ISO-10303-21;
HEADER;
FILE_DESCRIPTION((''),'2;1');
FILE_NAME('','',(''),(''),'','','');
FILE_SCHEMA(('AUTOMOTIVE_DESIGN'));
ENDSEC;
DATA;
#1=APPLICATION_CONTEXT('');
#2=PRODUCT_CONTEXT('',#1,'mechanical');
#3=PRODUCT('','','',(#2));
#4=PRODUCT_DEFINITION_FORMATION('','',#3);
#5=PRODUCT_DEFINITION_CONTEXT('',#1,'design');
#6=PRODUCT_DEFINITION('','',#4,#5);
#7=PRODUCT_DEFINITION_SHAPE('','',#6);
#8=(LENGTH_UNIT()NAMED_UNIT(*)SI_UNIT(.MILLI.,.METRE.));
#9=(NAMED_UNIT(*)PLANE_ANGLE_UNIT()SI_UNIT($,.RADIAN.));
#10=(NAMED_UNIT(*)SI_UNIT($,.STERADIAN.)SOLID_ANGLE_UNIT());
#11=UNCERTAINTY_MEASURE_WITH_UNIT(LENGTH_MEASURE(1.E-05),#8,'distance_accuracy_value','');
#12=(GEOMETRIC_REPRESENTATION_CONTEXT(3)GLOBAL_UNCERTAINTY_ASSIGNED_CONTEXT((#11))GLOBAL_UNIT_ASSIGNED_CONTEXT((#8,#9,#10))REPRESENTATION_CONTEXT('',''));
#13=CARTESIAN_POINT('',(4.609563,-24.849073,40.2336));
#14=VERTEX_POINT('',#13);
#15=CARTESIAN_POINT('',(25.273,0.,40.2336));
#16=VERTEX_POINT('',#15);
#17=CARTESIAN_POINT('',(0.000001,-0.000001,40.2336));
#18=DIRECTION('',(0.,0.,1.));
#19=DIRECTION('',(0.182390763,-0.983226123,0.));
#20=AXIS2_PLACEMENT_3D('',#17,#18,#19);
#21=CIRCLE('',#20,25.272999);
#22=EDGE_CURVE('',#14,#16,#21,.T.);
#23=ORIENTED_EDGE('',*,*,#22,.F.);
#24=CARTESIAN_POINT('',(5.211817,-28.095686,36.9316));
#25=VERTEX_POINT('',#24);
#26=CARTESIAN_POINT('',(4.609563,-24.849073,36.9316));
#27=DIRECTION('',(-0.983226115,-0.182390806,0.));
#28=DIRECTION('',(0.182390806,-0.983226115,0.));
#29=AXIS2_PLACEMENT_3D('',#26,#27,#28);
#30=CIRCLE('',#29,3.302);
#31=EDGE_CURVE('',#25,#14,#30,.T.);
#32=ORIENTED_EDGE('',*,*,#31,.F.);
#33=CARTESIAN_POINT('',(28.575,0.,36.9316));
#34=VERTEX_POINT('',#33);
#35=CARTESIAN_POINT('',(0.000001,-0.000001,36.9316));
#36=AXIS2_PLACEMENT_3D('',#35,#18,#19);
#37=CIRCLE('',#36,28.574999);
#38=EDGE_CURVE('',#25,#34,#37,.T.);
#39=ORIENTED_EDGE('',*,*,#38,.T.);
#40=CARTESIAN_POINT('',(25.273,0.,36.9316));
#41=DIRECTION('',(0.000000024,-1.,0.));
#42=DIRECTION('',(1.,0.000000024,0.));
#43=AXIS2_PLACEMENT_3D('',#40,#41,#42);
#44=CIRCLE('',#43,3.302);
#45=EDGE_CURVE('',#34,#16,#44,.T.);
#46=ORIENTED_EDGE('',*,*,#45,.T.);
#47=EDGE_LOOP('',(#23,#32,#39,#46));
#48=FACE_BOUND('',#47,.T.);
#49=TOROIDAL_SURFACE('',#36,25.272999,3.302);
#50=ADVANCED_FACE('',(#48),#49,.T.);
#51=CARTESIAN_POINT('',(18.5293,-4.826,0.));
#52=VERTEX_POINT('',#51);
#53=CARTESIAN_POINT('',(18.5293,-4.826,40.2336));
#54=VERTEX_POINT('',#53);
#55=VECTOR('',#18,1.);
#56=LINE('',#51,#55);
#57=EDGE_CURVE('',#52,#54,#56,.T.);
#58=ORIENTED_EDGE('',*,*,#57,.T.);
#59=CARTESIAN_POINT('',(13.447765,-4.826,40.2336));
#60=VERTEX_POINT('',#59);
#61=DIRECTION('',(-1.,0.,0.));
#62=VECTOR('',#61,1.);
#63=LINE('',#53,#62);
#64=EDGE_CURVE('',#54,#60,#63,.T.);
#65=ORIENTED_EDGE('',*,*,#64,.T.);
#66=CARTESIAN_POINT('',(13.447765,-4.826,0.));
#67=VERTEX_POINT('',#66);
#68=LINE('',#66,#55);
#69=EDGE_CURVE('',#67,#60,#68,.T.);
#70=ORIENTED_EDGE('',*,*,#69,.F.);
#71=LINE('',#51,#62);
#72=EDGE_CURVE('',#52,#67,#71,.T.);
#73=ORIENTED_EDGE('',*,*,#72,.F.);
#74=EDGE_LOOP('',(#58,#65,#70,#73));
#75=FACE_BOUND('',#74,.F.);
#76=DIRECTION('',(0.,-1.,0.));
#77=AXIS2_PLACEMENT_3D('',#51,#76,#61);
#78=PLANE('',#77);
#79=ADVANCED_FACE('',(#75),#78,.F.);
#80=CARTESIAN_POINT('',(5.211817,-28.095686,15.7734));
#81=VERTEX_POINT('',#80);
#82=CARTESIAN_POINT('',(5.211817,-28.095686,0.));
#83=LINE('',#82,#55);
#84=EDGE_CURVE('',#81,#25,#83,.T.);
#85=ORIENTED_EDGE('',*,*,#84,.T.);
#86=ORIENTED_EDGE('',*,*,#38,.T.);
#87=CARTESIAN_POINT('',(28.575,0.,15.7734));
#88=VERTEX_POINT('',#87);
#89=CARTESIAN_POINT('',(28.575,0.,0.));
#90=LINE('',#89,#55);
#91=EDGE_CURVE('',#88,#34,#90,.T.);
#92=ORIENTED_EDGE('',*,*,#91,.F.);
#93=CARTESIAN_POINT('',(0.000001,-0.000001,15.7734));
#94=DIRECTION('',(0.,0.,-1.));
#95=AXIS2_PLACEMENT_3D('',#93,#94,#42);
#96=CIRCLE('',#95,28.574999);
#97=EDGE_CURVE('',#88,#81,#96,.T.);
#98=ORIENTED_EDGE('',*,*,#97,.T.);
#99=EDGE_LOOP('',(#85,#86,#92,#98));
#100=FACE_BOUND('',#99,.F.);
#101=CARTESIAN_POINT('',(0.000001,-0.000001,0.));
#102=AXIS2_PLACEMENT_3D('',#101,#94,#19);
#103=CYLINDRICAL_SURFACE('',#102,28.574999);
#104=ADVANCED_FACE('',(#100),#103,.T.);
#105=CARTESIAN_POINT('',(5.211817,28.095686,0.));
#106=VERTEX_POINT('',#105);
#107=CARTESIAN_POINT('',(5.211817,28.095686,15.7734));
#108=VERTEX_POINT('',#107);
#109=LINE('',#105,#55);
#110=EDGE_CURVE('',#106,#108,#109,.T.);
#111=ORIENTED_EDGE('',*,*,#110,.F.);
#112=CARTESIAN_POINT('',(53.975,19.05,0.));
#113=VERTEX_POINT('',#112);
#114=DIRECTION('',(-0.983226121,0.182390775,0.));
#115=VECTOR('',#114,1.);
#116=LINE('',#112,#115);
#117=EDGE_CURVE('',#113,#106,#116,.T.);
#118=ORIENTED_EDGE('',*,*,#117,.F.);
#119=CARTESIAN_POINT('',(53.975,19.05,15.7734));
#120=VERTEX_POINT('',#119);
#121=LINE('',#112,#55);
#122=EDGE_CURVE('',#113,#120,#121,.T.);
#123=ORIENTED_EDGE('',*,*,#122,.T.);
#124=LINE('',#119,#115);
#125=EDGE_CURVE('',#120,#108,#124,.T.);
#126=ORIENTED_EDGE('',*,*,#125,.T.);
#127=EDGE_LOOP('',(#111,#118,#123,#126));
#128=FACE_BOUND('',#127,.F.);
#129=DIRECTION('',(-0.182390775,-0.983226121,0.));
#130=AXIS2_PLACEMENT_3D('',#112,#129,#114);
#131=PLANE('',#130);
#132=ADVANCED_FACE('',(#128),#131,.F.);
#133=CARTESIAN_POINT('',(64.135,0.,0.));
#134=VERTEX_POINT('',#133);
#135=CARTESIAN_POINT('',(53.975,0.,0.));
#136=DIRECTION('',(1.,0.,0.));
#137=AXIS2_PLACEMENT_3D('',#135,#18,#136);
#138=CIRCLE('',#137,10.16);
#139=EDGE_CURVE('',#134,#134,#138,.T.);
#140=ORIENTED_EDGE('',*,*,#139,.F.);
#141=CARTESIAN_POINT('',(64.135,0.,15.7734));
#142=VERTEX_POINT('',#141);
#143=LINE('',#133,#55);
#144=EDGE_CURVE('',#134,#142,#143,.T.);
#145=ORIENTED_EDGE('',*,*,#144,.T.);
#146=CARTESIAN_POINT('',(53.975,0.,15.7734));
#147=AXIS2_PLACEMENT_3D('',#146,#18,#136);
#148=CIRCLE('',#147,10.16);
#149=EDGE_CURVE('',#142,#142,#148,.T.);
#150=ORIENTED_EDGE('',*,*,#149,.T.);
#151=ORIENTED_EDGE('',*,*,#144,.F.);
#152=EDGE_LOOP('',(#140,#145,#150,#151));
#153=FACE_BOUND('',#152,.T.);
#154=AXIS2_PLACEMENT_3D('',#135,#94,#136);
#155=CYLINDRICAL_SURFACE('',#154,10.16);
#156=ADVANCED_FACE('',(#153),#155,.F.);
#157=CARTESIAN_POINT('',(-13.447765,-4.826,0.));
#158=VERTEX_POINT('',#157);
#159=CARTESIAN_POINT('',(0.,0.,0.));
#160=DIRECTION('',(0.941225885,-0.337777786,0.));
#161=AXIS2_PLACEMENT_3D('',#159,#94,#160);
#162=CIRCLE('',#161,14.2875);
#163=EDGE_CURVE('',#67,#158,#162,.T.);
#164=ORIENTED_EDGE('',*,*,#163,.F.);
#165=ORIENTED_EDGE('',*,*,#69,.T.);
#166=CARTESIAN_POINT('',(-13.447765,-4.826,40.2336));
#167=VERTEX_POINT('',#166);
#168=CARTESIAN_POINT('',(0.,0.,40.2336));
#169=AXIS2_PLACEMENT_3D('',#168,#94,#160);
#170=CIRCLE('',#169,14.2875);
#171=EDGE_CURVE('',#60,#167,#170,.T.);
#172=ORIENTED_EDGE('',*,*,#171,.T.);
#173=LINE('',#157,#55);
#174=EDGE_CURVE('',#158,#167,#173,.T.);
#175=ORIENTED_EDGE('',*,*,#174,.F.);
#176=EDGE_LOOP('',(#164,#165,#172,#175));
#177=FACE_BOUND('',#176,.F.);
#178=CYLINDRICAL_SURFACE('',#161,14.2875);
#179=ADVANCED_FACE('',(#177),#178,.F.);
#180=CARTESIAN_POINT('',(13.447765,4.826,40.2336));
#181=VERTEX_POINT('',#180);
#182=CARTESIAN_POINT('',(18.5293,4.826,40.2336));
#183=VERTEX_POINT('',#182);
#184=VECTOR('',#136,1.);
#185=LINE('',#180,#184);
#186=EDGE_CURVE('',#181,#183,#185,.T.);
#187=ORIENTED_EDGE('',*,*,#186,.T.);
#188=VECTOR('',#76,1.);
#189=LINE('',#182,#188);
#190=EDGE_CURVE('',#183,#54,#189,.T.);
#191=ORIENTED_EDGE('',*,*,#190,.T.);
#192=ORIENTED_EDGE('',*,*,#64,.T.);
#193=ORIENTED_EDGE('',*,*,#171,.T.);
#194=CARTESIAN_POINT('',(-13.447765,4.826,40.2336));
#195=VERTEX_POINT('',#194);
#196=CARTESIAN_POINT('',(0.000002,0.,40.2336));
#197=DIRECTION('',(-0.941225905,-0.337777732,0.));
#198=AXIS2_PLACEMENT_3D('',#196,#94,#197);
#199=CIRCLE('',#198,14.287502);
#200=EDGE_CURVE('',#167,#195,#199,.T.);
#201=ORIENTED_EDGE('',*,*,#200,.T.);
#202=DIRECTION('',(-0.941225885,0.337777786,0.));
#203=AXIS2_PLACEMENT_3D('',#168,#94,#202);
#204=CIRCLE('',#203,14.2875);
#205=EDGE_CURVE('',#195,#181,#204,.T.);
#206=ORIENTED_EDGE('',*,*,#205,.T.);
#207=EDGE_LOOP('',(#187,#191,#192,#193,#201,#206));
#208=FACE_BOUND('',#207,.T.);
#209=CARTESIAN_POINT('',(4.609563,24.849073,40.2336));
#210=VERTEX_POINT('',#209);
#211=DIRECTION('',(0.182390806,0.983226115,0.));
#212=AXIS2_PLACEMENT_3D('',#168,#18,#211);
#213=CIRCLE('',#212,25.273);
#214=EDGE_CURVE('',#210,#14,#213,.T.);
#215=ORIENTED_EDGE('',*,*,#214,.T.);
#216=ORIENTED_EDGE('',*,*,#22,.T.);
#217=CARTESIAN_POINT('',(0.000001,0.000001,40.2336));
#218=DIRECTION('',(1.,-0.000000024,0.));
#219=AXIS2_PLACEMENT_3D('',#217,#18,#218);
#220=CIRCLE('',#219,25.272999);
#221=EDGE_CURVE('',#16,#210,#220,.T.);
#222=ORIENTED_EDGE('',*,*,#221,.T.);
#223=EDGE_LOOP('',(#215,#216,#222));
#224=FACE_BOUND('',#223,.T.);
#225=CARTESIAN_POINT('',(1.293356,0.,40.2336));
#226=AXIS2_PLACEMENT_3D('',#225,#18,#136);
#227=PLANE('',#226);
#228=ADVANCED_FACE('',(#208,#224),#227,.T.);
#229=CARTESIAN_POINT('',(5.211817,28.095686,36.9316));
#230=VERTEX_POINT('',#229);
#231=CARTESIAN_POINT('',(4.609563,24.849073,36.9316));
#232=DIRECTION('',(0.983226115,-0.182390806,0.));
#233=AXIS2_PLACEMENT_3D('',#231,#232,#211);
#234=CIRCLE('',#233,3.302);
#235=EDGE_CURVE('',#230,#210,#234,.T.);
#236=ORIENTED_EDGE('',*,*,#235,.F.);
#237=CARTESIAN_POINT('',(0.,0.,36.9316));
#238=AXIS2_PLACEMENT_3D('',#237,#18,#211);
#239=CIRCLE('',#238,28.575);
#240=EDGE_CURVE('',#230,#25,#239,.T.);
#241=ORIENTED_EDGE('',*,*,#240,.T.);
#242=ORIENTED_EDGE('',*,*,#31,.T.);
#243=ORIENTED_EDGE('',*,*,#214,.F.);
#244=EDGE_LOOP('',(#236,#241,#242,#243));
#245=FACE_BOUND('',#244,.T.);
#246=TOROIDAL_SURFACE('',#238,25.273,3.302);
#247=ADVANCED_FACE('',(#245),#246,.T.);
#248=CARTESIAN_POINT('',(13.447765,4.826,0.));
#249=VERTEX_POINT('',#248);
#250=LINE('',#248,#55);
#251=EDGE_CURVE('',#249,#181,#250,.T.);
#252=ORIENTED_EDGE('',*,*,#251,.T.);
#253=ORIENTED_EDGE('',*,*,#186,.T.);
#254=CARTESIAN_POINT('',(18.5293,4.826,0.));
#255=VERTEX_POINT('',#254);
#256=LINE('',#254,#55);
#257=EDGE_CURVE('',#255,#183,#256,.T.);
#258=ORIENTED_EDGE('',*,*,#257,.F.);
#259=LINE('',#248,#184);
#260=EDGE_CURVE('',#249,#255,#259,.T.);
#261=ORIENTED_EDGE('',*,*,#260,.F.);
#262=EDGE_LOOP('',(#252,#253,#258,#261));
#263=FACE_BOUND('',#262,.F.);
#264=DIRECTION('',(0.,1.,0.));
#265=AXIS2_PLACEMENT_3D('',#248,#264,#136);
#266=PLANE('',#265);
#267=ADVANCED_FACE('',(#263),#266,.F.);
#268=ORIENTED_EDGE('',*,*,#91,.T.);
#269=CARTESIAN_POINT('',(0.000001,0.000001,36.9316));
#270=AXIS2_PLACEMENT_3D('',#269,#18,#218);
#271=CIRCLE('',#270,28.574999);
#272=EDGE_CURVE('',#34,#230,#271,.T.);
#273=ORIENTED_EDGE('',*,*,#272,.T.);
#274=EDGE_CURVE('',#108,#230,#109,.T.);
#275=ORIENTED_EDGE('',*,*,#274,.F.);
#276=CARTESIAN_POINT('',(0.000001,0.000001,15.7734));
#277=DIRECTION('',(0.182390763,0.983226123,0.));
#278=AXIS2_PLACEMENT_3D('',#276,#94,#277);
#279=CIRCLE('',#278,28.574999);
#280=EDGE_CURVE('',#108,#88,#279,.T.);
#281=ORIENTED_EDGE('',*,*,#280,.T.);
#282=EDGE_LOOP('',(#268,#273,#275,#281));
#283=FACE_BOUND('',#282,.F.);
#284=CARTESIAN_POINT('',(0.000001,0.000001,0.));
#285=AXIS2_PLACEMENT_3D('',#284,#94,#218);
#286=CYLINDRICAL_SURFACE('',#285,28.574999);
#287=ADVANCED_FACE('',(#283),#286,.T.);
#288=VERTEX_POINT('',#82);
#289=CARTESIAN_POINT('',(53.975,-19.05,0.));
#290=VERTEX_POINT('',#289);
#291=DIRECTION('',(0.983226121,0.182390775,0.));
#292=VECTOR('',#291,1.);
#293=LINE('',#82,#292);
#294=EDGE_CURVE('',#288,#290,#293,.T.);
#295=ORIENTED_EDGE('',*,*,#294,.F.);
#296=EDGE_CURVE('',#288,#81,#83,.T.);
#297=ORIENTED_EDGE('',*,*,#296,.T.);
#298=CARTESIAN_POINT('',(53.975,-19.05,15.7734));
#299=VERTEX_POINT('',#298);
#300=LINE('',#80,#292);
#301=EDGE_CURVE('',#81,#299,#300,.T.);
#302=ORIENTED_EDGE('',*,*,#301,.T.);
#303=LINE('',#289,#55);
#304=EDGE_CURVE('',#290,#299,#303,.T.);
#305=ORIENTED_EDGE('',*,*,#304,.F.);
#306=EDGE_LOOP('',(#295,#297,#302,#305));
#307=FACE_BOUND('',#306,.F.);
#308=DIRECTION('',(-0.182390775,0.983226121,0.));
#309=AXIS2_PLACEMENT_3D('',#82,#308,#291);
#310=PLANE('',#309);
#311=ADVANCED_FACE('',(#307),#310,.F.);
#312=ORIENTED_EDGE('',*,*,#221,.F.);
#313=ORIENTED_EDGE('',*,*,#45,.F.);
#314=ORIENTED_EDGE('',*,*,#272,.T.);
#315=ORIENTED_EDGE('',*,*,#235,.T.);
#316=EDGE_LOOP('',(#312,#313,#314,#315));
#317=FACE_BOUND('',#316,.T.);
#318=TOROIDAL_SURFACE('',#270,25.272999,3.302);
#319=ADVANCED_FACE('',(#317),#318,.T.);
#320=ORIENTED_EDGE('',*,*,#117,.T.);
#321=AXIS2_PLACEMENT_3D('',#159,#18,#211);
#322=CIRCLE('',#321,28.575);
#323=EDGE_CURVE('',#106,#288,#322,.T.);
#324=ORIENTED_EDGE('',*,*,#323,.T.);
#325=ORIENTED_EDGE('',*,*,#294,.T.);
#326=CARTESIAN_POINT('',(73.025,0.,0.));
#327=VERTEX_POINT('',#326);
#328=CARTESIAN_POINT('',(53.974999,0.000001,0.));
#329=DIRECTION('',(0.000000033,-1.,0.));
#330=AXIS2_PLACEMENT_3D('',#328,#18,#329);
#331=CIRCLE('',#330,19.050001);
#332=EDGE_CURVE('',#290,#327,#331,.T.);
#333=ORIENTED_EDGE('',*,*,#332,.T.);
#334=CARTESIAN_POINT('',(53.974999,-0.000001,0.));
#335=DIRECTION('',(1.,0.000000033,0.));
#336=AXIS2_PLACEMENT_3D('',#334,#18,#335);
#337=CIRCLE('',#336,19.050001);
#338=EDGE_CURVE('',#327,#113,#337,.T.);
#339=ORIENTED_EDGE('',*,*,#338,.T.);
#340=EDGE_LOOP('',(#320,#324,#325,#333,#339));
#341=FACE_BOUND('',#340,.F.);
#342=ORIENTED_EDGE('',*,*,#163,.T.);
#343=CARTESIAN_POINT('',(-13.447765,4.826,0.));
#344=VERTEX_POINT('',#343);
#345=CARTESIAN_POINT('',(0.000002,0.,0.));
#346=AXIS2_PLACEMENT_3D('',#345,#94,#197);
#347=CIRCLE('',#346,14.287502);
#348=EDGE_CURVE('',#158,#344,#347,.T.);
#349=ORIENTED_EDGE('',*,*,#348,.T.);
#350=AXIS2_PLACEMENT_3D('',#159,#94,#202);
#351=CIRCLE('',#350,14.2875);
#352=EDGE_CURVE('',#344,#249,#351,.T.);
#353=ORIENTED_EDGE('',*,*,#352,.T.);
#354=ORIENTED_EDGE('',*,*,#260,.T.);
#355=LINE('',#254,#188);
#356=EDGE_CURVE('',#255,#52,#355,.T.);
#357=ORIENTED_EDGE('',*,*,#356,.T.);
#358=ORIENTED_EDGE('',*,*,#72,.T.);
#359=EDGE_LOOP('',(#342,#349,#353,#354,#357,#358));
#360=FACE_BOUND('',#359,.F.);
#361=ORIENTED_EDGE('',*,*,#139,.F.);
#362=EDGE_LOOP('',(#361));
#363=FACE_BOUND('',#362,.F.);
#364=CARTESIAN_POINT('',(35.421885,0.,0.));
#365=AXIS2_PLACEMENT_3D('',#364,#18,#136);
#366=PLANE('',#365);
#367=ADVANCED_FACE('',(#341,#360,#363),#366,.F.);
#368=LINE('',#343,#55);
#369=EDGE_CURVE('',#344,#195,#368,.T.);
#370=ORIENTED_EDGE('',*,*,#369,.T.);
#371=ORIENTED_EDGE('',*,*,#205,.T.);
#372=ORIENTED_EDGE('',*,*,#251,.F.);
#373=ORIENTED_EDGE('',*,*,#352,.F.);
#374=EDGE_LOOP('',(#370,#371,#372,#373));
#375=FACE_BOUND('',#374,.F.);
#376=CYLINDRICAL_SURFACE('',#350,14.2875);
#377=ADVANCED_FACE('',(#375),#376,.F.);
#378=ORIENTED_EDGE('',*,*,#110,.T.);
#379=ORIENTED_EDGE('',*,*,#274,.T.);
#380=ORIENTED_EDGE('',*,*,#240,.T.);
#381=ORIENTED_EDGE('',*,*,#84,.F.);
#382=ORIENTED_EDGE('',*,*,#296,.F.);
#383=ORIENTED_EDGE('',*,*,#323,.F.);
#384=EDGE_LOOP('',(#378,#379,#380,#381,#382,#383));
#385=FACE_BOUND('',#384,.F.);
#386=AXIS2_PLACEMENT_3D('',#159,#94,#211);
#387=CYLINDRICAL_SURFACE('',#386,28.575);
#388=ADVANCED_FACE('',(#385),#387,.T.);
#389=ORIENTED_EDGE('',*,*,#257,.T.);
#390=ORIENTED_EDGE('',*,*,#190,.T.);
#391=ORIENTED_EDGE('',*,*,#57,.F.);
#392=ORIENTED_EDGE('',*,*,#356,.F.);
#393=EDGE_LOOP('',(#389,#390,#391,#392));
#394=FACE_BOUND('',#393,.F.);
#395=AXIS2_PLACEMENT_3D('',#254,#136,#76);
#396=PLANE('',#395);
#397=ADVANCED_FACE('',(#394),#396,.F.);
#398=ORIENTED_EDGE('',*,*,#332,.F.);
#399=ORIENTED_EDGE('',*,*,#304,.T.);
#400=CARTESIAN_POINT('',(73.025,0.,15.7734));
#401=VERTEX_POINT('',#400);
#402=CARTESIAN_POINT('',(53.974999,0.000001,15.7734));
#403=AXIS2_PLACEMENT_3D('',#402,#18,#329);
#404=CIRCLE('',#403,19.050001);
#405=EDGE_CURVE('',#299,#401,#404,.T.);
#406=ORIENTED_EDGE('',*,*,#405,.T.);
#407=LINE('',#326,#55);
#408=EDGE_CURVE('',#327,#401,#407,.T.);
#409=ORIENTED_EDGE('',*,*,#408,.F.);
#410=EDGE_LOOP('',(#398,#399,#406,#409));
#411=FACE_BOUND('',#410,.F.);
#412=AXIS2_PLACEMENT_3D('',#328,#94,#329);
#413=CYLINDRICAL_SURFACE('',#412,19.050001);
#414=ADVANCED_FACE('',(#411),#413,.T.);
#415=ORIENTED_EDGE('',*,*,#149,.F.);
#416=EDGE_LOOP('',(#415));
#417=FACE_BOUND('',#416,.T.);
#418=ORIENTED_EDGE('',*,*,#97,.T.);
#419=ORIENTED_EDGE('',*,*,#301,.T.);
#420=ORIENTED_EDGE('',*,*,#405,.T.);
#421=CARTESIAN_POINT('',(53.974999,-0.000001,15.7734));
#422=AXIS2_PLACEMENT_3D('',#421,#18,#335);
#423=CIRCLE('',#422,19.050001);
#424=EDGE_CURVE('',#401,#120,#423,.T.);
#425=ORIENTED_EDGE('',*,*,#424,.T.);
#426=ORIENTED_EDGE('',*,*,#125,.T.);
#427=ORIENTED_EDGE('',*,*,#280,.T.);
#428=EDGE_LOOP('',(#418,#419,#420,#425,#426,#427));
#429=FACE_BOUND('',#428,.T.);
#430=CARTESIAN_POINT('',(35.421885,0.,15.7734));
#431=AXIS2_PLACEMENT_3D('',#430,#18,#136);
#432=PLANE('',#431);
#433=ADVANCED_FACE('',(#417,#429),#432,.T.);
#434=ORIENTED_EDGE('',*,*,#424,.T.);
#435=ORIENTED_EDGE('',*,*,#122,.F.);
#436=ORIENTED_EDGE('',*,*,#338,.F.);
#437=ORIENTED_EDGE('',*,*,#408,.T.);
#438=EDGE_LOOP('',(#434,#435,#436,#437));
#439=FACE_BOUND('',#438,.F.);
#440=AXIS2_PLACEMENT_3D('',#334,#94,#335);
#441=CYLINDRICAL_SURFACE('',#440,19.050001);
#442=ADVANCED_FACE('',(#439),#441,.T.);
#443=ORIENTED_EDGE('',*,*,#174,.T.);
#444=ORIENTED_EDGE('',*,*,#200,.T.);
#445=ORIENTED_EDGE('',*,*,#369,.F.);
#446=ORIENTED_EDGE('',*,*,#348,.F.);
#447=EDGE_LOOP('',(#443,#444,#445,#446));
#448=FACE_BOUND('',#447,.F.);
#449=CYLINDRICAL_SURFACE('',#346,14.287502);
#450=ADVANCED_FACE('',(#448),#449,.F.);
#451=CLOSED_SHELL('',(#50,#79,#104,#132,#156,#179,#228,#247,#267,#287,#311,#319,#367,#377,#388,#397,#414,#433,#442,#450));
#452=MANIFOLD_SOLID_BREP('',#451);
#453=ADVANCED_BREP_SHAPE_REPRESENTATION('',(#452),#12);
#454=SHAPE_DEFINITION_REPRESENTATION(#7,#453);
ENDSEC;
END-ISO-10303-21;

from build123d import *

# Parameters (mm, degrees)
F1_DEPTH = 40.2336
F0_R     = 10.16
F2_DEPTH = 15.7734
F3_R     = 3.302


with BuildPart() as f1:
    # F0 (on Top) → F1 (new body)
    with BuildSketch(Plane.XY):
        with BuildLine():
            ThreePointArc((5.211817, -28.095686), (21.971098, -18.270235), (28.575, 0))
            ThreePointArc((28.575, 0), (21.971098, 18.270235), (5.211817, 28.095686))
            ThreePointArc((5.211817, 28.095686), (-28.575, 0), (5.211817, -28.095686))
        make_face()
        with BuildLine():
            ThreePointArc((-13.447765, 4.826), (0, 14.2875), (13.447765, 4.826))
            Line((13.447765, 4.826), (18.5293, 4.826))
            Line((18.5293, 4.826), (18.5293, -4.826))
            Line((18.5293, -4.826), (13.447765, -4.826))
            ThreePointArc((13.447765, -4.826), (0, -14.2875), (-13.447765, -4.826))
            Line((-13.447765, -4.826), (-18.5293, -4.826))
            Line((-18.5293, -4.826), (-18.5293, 4.826))
            Line((-18.5293, 4.826), (-13.447765, 4.826))
        make_face(mode=Mode.SUBTRACT)
        with BuildLine():
            ThreePointArc((-13.447765, -4.826), (-14.2875, 0), (-13.447765, 4.826))
            Line((-13.447765, 4.826), (-18.5293, 4.826))
            Line((-18.5293, 4.826), (-18.5293, -4.826))
            Line((-18.5293, -4.826), (-13.447765, -4.826))
        make_face()
    extrude(amount=F1_DEPTH)

    # F0 (on Top) → F2 (join)
    with BuildSketch(Plane.XY):
        with BuildLine():
            ThreePointArc((5.211817, 28.095686), (21.971098, 18.270235), (28.575, 0))
            ThreePointArc((28.575, 0), (21.971098, -18.270235), (5.211817, -28.095686))
            Line((5.211817, -28.095686), (53.975, -19.05))
            ThreePointArc((53.975, -19.05), (67.445384, -13.470384), (73.025, 0))
            ThreePointArc((73.025, 0), (67.445384, 13.470384), (53.975, 19.05))
            Line((53.975, 19.05), (5.211817, 28.095686))
        make_face()
        with Locations((53.975, 0)):
            Circle(F0_R, mode=Mode.SUBTRACT)
    extrude(amount=F2_DEPTH)

    # F3
    f3_edges = [f1.edges().sort_by_distance(p)[0] for p in [
        (-5.211817, 28.095686, 40.2336),
    ]]
    fillet(f3_edges, radius=F3_R)


solid = f1.part
